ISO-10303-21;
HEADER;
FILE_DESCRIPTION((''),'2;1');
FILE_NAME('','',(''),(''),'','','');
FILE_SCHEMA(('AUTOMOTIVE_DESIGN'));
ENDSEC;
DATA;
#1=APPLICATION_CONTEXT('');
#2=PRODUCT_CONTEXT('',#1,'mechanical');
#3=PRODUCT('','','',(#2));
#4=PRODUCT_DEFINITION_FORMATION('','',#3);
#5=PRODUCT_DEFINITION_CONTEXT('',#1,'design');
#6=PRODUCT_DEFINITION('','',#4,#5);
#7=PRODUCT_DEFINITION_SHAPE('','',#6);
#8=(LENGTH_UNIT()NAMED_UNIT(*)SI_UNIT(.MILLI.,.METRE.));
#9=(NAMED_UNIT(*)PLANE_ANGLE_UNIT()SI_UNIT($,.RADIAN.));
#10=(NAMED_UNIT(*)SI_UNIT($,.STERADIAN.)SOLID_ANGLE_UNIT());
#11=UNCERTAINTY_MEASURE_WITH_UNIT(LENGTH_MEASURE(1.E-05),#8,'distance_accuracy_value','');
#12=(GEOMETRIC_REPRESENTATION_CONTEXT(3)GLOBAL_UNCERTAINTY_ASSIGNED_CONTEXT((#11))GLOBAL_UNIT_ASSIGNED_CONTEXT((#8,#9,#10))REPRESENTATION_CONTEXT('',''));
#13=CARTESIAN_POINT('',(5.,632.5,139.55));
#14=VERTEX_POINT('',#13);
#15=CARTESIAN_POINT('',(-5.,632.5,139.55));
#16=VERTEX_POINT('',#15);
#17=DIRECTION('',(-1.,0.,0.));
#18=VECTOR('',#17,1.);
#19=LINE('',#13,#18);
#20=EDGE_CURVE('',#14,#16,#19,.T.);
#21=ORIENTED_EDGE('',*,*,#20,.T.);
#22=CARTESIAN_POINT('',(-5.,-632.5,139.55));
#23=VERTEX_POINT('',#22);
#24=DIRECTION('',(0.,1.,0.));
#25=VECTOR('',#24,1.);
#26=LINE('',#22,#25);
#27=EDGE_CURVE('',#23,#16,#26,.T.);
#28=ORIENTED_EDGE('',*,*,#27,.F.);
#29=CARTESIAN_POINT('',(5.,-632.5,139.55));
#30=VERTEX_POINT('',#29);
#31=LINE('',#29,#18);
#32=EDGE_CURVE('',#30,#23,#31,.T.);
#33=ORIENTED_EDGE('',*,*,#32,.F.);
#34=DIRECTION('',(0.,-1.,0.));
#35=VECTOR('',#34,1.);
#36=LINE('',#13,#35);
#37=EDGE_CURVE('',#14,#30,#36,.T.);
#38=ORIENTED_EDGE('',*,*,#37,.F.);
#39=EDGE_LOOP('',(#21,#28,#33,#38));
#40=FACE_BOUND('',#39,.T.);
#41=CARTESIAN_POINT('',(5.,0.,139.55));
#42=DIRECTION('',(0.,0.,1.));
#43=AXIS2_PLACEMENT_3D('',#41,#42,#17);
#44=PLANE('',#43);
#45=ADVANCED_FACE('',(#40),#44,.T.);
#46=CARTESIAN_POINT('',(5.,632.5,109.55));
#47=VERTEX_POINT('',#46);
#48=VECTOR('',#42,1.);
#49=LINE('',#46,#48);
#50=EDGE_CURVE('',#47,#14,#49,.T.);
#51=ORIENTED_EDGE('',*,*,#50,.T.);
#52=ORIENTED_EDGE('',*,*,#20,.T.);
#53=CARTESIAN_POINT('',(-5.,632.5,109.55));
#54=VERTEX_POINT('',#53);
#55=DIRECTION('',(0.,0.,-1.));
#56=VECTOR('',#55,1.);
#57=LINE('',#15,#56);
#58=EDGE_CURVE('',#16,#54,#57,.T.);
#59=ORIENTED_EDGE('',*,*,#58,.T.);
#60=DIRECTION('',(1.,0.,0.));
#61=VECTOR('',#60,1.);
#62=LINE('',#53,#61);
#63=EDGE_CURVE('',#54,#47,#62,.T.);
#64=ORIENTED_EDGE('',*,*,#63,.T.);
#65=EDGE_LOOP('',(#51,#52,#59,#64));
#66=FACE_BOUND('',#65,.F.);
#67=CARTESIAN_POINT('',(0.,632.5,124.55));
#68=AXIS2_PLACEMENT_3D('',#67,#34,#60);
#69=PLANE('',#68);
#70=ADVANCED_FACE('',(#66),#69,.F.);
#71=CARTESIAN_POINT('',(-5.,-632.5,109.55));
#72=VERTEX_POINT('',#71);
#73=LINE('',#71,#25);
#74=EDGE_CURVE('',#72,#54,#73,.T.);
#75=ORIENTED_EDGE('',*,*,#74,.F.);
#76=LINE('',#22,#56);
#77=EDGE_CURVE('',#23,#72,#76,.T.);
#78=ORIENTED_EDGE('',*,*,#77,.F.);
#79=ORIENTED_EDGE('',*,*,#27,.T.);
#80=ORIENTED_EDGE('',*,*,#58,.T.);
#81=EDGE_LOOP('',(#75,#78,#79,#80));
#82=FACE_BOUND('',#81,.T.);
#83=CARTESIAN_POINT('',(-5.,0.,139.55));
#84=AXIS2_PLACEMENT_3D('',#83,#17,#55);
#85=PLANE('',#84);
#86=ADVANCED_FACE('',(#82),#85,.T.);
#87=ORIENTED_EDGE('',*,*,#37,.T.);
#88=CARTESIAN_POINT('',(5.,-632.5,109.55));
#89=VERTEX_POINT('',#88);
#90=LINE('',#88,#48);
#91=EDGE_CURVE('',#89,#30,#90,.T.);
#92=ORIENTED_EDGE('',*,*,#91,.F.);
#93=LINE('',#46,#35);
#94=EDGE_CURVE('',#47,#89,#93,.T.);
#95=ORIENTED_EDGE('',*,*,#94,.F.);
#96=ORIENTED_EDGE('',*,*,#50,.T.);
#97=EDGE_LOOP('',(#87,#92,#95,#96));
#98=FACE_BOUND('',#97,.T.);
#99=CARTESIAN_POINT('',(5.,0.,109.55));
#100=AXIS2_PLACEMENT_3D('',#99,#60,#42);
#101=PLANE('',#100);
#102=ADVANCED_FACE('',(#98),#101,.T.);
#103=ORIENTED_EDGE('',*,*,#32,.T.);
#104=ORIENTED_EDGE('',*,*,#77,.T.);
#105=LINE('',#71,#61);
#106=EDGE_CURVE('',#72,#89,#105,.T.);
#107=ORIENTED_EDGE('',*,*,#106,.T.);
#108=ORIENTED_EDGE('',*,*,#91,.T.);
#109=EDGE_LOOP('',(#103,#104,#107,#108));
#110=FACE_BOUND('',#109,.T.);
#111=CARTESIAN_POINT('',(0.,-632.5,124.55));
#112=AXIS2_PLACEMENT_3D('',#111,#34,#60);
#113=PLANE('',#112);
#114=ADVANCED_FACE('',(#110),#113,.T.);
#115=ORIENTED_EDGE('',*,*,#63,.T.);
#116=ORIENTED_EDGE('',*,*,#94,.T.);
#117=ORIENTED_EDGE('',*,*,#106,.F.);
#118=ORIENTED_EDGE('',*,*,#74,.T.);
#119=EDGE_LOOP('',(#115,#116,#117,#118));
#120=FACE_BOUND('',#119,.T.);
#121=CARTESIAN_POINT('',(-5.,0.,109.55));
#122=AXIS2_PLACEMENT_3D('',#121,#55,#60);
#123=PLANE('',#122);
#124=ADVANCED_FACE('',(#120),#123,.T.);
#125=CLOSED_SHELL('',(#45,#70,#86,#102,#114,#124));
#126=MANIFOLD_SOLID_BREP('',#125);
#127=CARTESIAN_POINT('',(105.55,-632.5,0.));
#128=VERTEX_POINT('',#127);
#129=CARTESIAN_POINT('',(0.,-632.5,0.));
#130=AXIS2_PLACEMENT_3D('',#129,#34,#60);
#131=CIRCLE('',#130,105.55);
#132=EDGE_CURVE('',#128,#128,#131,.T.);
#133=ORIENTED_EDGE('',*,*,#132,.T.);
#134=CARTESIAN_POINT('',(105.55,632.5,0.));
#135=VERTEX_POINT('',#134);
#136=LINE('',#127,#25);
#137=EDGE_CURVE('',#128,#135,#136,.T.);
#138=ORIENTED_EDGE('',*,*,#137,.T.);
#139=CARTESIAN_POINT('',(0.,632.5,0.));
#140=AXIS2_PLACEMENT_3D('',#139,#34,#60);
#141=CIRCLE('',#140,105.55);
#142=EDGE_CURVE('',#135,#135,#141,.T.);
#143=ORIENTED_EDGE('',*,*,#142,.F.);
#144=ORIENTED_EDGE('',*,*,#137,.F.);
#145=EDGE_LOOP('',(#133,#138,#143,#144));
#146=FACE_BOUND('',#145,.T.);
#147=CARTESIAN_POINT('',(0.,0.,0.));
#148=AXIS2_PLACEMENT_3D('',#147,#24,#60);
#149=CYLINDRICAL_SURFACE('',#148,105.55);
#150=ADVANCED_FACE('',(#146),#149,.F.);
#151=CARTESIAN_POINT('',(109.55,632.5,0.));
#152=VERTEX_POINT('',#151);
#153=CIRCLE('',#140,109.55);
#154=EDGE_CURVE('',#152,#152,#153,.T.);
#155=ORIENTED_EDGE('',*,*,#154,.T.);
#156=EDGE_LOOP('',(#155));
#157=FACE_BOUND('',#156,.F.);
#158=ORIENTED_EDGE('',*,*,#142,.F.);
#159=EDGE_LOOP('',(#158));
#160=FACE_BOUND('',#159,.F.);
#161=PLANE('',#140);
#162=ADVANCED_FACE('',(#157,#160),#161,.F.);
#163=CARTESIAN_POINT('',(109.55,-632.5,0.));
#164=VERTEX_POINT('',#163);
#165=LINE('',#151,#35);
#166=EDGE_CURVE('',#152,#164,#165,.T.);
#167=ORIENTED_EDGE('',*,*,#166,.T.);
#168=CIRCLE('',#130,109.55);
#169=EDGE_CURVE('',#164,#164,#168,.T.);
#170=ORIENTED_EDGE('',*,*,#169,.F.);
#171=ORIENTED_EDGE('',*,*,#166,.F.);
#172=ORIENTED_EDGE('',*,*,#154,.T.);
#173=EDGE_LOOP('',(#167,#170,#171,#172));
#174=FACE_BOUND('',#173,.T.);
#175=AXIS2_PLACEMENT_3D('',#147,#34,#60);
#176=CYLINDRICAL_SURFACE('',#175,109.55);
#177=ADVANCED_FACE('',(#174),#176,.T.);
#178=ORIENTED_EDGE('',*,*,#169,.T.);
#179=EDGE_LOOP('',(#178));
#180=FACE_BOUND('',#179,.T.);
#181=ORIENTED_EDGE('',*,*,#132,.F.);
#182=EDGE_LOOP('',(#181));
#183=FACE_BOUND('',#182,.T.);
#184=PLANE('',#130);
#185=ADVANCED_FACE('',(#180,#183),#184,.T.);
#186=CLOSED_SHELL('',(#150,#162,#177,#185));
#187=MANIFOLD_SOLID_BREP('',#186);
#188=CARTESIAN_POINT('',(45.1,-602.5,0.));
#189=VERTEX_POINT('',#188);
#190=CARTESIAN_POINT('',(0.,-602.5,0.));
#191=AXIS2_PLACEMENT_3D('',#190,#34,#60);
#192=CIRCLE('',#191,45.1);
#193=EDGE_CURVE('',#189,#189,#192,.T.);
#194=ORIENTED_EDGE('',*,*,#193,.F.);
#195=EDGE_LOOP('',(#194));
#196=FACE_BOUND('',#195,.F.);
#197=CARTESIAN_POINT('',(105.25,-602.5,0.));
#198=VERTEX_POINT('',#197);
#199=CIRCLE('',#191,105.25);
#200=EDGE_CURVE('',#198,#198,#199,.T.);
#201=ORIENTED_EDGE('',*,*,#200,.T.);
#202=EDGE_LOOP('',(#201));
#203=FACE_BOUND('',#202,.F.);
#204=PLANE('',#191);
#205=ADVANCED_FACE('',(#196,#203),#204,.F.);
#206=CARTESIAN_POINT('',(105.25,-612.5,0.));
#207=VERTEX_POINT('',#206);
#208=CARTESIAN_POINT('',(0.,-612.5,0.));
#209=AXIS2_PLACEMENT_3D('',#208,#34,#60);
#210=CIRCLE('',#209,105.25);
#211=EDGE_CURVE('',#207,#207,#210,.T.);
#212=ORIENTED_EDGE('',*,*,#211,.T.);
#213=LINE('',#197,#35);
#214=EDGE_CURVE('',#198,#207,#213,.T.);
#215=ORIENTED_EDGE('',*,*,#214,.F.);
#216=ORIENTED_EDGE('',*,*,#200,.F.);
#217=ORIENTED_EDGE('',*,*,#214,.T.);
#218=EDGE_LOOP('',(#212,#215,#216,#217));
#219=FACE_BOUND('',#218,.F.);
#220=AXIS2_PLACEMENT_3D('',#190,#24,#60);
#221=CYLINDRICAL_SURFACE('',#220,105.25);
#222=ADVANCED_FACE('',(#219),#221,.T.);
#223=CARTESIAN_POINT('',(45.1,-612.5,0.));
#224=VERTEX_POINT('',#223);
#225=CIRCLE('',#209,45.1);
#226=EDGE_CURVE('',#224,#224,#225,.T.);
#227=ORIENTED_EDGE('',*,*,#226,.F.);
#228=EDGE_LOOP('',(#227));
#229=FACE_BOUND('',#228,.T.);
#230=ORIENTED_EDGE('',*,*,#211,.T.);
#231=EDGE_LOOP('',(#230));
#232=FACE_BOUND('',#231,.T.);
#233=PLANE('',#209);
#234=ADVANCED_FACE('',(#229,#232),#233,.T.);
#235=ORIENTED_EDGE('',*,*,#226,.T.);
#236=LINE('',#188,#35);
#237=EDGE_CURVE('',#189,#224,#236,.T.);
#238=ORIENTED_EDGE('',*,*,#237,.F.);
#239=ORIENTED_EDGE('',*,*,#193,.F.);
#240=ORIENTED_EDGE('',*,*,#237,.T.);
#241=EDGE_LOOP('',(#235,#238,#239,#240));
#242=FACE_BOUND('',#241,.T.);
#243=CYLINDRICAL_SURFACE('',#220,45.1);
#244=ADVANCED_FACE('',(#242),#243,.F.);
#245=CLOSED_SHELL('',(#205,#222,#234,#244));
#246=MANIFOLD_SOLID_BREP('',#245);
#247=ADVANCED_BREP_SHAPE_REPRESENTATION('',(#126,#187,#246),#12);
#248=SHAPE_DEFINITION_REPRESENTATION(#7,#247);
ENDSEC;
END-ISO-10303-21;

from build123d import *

# Parameters (mm, degrees)
F1_R          = 105.55
F2_DEPTH      = 632.5
F3_START      = 602.5
F1_R_2        = 105.25
F1_R_3        = 45.1
F3_DEPTH      = 10
F4_DEPTH      = 632.5
F4_DEPTH_BACK = 632.5


with BuildPart() as f2:
    # F1 (on Front) → F2 (new body, symmetric)
    with BuildSketch(Plane.XZ):
        with BuildLine():
            ThreePointArc((0, 109.55), (-77.463547879, -77.463547879), (109.55, 0))
            ThreePointArc((109.55, 0), (77.463547879, 77.463547879), (0, 109.55))
        make_face()
        Circle(F1_R, mode=Mode.SUBTRACT)
    extrude(amount=F2_DEPTH, both=True)


with BuildPart() as f3:
    # F1 (on Front) → F3 (new body)
    with BuildSketch(Plane.XZ.offset(F3_START)):
        Circle(F1_R_2)
        Circle(F1_R_3, mode=Mode.SUBTRACT)
    extrude(amount=F3_DEPTH)


with BuildPart() as f4:
    # F1 (on Front) → F4 (new body, two sides)
    with BuildSketch(Plane.XZ) as f4_sk:
        Polygon((-5, 109.55), (0, 109.55), (5, 109.55), (5, 139.55), (-5, 139.55), align=None)
    extrude(amount=F4_DEPTH)
    extrude(f4_sk.sketch, amount=-F4_DEPTH_BACK)


solid = Compound([f2.part, f3.part, f4.part])
